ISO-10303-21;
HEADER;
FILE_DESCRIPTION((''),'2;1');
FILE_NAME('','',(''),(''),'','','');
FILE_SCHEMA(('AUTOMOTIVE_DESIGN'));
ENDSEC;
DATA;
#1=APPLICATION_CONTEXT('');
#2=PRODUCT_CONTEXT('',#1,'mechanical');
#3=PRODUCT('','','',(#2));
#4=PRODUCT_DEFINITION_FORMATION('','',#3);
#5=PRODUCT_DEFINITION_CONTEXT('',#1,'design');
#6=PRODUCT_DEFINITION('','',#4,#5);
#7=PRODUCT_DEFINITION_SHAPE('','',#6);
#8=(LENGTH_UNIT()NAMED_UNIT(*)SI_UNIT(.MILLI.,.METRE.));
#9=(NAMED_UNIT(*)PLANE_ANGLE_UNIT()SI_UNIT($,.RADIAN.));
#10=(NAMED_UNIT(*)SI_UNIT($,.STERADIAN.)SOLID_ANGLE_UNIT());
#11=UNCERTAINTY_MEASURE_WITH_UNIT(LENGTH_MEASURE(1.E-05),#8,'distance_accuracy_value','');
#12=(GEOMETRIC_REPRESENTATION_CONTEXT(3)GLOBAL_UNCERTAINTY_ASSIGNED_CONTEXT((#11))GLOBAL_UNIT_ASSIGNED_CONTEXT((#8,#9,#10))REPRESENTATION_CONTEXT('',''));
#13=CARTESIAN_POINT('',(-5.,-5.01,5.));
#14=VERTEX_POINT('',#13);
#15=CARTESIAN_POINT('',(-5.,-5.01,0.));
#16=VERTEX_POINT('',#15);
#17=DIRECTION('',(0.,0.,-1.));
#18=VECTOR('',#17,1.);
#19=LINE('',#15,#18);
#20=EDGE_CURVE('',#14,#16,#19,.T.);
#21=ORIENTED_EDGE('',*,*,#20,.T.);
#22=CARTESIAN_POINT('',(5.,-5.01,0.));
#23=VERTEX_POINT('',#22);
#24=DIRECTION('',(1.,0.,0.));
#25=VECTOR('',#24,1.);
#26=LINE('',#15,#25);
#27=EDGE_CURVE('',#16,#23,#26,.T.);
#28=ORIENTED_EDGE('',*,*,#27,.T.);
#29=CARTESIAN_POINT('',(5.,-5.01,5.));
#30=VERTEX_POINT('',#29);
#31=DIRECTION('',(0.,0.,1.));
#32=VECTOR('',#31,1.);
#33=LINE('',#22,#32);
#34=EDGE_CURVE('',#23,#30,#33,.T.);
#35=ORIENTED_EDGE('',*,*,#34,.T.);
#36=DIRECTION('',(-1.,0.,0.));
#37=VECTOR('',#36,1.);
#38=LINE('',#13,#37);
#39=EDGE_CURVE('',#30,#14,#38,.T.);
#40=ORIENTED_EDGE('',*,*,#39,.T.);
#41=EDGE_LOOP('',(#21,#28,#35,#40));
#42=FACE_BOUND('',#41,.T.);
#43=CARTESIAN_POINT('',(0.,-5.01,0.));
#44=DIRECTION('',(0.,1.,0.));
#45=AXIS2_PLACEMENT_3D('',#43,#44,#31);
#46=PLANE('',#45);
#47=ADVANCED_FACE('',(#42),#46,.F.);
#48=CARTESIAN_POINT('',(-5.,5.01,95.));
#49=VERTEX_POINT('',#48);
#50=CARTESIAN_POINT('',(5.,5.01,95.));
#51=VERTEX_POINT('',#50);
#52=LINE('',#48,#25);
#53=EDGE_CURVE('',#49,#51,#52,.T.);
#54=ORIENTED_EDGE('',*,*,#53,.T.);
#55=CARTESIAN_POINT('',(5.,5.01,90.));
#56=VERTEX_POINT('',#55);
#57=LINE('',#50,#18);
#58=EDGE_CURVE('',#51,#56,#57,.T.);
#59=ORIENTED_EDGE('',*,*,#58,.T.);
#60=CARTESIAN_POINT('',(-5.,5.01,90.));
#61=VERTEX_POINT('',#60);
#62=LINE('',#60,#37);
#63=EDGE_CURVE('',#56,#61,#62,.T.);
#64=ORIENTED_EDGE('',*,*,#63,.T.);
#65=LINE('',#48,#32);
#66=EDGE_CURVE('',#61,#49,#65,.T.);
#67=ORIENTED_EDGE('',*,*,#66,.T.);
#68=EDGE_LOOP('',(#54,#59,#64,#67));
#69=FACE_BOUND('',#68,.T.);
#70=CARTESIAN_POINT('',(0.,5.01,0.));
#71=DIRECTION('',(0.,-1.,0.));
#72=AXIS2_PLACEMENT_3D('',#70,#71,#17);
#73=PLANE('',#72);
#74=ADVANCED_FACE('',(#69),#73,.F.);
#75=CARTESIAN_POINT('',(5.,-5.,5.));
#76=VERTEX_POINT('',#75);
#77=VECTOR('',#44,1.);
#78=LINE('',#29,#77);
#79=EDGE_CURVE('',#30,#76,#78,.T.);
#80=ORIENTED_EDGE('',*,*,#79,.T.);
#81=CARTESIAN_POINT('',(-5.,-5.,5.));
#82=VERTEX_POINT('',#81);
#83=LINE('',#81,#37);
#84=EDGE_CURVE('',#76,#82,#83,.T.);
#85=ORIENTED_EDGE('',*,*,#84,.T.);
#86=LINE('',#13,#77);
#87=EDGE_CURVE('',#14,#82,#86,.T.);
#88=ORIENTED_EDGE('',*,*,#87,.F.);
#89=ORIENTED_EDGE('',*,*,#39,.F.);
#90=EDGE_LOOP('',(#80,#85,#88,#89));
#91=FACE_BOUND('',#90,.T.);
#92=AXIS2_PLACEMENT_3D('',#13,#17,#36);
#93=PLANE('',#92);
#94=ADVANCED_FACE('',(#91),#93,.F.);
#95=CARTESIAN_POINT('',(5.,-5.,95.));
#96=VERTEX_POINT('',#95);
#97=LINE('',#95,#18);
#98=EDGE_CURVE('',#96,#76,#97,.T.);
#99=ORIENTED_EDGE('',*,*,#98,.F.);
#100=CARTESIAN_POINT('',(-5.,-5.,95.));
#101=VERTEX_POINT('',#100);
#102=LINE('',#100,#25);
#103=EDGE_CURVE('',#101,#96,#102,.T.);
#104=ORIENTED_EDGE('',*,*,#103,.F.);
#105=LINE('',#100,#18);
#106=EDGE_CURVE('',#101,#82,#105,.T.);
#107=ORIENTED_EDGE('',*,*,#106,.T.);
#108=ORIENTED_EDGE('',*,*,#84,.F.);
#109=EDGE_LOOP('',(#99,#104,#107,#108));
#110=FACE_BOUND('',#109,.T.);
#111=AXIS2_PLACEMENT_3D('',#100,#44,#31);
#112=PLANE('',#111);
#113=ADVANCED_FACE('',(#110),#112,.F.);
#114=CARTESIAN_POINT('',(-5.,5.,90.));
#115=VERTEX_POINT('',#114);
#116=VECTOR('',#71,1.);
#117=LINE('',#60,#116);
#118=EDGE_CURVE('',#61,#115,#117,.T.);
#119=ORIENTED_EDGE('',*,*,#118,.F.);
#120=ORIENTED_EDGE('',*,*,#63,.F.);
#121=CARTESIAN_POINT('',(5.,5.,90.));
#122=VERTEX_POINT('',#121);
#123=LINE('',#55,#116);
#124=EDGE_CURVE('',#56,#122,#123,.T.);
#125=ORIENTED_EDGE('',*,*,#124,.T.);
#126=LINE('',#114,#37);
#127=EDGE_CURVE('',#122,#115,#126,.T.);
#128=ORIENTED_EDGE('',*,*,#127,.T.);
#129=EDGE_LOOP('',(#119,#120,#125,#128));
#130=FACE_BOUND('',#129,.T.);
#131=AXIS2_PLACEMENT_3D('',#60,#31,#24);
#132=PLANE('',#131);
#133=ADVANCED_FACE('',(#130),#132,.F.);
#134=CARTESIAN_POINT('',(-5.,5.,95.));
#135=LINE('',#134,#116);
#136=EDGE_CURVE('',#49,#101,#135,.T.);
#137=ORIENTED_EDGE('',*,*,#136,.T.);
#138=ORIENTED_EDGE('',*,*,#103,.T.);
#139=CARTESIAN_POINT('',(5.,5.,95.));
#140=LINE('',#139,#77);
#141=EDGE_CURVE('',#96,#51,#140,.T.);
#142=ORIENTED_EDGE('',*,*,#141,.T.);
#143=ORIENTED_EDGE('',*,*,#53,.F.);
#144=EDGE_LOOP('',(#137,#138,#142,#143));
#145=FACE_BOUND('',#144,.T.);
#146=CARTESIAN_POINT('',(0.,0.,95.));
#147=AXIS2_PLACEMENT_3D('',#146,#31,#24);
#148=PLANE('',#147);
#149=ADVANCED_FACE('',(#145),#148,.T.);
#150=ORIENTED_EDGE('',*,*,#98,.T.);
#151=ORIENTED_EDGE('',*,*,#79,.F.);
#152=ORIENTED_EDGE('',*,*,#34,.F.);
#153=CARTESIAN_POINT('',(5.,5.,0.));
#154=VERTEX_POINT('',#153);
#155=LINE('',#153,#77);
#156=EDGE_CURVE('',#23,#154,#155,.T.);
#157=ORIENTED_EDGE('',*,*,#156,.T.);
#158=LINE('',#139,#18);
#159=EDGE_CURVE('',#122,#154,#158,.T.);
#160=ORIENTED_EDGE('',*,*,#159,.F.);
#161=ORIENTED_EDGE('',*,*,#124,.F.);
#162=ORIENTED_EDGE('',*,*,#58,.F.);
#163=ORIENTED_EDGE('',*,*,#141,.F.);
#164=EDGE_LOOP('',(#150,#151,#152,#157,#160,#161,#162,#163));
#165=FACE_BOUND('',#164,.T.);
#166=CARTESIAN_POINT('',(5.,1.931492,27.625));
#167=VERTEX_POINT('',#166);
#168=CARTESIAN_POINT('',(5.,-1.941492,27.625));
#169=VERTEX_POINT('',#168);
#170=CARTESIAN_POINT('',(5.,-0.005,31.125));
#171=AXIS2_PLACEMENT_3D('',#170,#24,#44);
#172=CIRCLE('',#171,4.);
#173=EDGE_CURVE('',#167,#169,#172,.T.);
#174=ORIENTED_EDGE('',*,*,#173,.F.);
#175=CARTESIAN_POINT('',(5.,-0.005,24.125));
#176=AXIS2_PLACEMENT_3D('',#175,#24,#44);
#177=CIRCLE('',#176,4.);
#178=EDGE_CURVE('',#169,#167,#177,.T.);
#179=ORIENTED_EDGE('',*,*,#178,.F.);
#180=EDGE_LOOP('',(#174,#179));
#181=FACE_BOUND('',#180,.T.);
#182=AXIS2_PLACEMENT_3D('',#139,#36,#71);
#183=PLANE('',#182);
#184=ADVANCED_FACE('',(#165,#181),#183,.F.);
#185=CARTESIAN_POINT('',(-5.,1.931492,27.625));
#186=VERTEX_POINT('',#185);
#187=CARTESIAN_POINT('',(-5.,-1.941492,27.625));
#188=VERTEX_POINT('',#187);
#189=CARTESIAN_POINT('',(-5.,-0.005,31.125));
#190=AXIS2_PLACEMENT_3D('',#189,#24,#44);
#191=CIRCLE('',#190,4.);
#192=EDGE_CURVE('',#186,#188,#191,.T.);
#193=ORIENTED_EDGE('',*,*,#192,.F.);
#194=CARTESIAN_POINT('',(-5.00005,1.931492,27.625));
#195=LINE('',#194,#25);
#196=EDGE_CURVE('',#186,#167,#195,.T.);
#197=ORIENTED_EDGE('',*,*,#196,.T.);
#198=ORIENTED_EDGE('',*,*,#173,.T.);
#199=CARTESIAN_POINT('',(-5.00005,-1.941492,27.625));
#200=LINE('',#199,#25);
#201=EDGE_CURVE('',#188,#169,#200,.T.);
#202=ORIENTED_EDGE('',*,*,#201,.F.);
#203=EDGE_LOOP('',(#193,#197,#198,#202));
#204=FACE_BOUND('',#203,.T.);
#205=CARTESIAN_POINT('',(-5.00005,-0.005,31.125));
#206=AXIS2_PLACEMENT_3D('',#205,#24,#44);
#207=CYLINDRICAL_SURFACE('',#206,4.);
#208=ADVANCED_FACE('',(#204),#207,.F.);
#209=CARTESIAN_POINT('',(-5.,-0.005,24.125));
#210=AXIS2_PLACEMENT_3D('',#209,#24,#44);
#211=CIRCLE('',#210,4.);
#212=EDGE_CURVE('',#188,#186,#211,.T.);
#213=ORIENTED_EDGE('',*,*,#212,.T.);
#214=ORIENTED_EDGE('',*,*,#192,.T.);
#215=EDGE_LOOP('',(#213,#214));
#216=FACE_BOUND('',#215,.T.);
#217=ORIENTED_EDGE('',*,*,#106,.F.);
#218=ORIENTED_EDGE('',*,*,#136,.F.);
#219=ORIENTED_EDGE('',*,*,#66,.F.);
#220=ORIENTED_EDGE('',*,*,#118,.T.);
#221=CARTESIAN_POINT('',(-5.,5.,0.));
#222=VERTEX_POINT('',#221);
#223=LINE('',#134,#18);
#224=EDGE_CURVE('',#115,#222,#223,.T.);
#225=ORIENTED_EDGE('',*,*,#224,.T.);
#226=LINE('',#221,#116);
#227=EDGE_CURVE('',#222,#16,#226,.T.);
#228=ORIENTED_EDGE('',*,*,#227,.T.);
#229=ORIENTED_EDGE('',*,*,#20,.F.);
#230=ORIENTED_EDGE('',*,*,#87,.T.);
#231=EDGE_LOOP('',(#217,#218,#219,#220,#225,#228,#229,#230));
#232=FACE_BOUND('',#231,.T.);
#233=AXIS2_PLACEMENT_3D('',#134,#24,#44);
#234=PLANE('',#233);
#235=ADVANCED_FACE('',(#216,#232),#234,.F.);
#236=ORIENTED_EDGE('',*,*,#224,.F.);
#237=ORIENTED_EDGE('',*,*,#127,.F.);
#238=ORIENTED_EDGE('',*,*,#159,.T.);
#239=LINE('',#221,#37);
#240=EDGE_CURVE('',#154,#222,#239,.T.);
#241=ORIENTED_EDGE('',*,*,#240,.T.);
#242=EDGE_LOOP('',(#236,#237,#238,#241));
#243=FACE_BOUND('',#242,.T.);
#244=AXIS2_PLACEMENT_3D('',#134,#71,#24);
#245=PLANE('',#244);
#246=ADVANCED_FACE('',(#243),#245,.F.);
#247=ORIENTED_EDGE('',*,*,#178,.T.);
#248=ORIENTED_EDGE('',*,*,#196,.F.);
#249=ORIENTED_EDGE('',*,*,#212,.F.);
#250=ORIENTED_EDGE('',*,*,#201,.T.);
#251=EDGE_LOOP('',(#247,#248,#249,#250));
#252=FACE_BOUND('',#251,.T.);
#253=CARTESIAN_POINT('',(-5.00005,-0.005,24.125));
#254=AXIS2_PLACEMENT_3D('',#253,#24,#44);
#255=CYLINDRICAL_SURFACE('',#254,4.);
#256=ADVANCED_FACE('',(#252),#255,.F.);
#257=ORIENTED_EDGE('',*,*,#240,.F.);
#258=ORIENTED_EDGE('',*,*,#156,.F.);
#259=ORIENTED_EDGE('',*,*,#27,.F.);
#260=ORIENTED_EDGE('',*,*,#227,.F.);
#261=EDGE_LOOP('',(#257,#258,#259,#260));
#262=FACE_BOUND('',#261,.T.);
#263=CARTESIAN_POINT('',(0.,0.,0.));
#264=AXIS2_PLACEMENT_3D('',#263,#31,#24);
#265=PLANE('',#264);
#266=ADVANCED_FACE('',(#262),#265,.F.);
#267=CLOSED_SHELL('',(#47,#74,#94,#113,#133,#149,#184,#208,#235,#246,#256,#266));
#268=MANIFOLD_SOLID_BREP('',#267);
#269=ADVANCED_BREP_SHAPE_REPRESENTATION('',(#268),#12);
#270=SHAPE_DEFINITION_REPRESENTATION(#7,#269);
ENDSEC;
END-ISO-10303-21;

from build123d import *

# Parameters (mm, degrees)
ESQUISSE1_W             = 10
ESQUISSE1_H             = 10
BOSS_EXTRU_1_DEPTH      = 95
ESQUISSE2_W             = 10
ESQUISSE2_H             = 5
BOSS_EXTRU_2_DEPTH      = 0.01
ESQUISSE3_W             = 10
ESQUISSE3_H             = 5
BOSS_EXTRU_3_DEPTH      = 0.01
ENL_V_MAT_EXTRU_2_DEPTH = 96.656155578


with BuildPart() as part:
    # Esquisse1 → Boss.-Extru.1 (new body)
    with BuildSketch(Plane.XY):
        Rectangle(ESQUISSE1_W, ESQUISSE1_H)
    extrude(amount=BOSS_EXTRU_1_DEPTH)

    # Esquisse2 → Boss.-Extru.2 (add)
    with BuildSketch(Plane(origin=(0, 5, 0), x_dir=(1, 0, 0), z_dir=(0, 1, 0))):
        with Locations((0, -92.5)):
            Rectangle(ESQUISSE2_W, ESQUISSE2_H)
    extrude(amount=BOSS_EXTRU_2_DEPTH)

    # Esquisse3 → Boss.-Extru.3 (add)
    with BuildSketch(Plane.XZ.offset(5)):
        with Locations((0, 2.5)):
            Rectangle(ESQUISSE3_W, ESQUISSE3_H)
    extrude(amount=BOSS_EXTRU_3_DEPTH)

    # Esquisse6 → Enlèv. mat.-Extru.2 (cut, through all)
    with BuildSketch(Plane(origin=(5, 0, 0), x_dir=(0, 0, -1), z_dir=(1, 0, 0))):
        with BuildLine():
            ThreePointArc((-27.625, 1.931491673), (-35.125, -0.005), (-27.625, -1.941491673))
            ThreePointArc((-27.625, -1.941491673), (-20.125, -0.005), (-27.625, 1.931491673))
        make_face()
    extrude(amount=-ENL_V_MAT_EXTRU_2_DEPTH, mode=Mode.SUBTRACT)


solid = part.part
